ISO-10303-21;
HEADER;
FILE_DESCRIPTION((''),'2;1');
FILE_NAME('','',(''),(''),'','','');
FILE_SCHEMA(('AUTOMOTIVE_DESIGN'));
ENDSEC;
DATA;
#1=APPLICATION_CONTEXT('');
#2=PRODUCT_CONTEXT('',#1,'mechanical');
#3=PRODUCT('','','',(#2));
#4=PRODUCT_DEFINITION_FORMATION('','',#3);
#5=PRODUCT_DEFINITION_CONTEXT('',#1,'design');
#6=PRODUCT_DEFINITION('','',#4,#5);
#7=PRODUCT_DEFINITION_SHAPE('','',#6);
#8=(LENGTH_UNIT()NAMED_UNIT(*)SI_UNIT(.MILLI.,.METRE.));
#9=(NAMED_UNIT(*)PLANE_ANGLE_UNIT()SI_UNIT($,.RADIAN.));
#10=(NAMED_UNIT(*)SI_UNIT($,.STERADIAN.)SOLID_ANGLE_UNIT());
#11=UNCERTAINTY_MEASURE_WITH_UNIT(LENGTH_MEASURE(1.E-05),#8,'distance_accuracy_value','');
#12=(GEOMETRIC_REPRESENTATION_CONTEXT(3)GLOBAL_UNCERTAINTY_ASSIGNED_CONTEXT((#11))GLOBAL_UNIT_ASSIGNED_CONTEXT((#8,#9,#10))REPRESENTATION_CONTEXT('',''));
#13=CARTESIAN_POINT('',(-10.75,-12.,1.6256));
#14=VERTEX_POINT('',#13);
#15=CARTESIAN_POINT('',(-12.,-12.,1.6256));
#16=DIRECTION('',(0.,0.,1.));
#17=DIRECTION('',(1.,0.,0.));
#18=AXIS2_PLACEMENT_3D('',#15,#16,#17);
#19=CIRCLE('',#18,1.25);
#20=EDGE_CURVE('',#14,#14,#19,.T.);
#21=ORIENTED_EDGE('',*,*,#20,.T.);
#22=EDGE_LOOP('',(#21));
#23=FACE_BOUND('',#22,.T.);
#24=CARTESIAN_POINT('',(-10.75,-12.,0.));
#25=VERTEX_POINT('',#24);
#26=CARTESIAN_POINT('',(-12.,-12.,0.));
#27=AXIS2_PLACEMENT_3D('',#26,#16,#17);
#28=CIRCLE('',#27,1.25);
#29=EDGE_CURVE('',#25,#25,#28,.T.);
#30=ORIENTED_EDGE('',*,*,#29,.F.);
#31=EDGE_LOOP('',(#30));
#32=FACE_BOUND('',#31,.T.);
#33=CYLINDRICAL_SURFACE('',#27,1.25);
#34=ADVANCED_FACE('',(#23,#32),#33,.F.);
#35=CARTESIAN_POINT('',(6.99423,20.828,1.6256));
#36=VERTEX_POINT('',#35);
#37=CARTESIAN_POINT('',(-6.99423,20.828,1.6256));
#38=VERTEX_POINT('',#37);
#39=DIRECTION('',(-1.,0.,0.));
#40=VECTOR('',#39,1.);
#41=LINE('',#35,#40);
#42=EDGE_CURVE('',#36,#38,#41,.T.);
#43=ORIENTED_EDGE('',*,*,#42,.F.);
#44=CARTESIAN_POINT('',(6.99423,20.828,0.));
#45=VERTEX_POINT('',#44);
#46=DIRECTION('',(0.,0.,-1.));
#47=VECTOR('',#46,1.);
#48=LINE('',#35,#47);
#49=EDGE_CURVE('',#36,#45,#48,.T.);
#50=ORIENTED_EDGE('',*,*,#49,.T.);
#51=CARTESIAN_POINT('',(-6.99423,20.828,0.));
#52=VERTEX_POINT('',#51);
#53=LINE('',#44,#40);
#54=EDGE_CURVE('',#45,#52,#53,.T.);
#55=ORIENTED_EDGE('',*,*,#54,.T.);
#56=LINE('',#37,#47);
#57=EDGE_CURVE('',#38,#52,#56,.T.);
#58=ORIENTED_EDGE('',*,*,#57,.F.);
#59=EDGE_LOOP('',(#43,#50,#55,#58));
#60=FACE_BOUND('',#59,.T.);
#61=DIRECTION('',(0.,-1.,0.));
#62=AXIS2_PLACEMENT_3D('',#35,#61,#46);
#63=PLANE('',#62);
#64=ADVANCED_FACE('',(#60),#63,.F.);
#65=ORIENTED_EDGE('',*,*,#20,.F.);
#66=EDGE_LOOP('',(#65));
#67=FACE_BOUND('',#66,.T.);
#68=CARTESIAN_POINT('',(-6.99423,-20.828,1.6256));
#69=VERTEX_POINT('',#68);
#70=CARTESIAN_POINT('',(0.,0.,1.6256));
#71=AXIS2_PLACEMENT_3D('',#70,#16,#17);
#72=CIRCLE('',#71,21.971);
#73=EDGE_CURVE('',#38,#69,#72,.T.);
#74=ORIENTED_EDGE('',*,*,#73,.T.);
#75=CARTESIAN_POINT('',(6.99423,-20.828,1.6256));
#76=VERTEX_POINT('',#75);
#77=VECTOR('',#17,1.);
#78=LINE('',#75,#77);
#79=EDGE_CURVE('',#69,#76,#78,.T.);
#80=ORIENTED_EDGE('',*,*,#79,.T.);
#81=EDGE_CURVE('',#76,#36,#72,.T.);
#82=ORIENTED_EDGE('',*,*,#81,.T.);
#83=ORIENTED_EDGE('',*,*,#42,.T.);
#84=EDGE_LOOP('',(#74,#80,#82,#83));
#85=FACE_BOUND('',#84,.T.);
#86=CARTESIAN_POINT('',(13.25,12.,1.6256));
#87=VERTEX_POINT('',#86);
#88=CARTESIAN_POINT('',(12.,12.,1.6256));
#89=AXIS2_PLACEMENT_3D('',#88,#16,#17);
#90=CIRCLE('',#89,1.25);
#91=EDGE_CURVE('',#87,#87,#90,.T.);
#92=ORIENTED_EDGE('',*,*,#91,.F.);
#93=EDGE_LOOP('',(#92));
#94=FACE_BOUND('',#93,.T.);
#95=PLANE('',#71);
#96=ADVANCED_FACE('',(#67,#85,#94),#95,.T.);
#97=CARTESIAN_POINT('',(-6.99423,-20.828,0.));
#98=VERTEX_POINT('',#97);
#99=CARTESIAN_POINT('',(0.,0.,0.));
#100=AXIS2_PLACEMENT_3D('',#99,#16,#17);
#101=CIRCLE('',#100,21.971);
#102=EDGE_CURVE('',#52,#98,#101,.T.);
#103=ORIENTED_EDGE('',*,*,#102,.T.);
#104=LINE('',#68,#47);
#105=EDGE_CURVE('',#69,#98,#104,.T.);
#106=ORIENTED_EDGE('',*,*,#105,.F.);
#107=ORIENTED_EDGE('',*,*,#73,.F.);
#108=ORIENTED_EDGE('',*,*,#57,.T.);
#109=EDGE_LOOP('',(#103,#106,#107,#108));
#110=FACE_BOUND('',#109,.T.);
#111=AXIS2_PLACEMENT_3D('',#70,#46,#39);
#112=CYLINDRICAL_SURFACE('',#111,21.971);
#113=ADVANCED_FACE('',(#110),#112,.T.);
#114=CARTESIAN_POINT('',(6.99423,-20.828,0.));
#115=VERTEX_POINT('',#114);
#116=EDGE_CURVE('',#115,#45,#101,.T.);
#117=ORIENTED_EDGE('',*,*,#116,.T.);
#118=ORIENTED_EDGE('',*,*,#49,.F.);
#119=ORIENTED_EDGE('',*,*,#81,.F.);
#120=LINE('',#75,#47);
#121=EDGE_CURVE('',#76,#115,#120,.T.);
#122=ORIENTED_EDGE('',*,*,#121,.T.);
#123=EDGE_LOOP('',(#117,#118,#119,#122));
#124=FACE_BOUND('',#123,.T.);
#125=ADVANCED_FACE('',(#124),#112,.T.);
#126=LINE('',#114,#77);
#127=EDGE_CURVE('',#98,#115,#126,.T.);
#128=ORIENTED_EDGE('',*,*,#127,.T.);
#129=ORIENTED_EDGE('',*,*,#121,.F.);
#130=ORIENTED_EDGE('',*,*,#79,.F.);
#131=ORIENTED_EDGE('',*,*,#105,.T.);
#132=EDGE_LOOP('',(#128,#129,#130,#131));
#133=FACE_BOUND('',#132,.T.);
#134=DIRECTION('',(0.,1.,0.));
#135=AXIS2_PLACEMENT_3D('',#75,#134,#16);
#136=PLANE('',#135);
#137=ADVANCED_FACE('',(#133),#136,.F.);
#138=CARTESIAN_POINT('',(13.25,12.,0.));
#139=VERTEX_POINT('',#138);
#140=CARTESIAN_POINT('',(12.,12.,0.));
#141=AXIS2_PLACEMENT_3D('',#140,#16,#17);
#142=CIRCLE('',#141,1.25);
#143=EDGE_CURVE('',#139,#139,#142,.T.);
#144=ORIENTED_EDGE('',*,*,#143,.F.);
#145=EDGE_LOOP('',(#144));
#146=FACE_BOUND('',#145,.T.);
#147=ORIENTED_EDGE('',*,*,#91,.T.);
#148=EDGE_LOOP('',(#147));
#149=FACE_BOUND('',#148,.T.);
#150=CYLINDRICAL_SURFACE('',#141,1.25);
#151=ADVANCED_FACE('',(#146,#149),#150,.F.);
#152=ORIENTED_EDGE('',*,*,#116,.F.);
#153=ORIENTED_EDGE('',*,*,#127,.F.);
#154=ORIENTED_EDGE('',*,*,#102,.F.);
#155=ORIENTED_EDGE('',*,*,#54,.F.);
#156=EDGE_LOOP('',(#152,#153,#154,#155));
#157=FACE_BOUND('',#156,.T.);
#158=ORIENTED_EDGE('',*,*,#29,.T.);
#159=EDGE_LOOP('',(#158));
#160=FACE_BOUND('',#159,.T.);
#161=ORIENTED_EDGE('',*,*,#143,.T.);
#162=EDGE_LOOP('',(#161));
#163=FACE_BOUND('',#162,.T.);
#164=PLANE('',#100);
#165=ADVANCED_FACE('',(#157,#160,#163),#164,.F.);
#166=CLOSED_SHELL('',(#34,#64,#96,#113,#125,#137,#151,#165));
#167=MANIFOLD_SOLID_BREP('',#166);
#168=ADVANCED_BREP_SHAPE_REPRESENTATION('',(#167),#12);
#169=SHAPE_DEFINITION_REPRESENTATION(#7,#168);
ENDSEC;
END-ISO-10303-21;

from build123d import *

# Parameters (mm, degrees)
SKETCH1_R           = 21.971
BOSS_EXTRUDE1_DEPTH = 1.6256
SKETCH2_R           = 1.25
CUT_EXTRUDE1_DEPTH  = 32.114180969
SKETCH3_W           = 13.98846053
SKETCH3_H           = 5.196987607
CUT_EXTRUDE2_DEPTH  = 32.114180969


with BuildPart() as part:
    # Sketch1 → Boss-Extrude1 (new body)
    with BuildSketch(Plane.XY):
        Circle(SKETCH1_R)
    extrude(amount=BOSS_EXTRUDE1_DEPTH)

    # Sketch2 → Cut-Extrude1 (cut, through all)
    with BuildSketch(Plane.XY.offset(1.6256)):
        with Locations((12, 12)):
            Circle(SKETCH2_R)
        with Locations((-12, -12)):
            Circle(SKETCH2_R)
    extrude(amount=-CUT_EXTRUDE1_DEPTH, mode=Mode.SUBTRACT)

    # Sketch3 → Cut-Extrude2 (cut, through all)
    with BuildSketch(Plane(origin=(0, 0, 0), x_dir=(-1, 0, 0), z_dir=(0, 0, -1))):
        with Locations((0, 23.426493804)):
            Rectangle(SKETCH3_W, SKETCH3_H)
        with Locations((0, -23.426493804)):
            Rectangle(SKETCH3_W, SKETCH3_H)
    extrude(amount=-CUT_EXTRUDE2_DEPTH, mode=Mode.SUBTRACT)


solid = part.part
